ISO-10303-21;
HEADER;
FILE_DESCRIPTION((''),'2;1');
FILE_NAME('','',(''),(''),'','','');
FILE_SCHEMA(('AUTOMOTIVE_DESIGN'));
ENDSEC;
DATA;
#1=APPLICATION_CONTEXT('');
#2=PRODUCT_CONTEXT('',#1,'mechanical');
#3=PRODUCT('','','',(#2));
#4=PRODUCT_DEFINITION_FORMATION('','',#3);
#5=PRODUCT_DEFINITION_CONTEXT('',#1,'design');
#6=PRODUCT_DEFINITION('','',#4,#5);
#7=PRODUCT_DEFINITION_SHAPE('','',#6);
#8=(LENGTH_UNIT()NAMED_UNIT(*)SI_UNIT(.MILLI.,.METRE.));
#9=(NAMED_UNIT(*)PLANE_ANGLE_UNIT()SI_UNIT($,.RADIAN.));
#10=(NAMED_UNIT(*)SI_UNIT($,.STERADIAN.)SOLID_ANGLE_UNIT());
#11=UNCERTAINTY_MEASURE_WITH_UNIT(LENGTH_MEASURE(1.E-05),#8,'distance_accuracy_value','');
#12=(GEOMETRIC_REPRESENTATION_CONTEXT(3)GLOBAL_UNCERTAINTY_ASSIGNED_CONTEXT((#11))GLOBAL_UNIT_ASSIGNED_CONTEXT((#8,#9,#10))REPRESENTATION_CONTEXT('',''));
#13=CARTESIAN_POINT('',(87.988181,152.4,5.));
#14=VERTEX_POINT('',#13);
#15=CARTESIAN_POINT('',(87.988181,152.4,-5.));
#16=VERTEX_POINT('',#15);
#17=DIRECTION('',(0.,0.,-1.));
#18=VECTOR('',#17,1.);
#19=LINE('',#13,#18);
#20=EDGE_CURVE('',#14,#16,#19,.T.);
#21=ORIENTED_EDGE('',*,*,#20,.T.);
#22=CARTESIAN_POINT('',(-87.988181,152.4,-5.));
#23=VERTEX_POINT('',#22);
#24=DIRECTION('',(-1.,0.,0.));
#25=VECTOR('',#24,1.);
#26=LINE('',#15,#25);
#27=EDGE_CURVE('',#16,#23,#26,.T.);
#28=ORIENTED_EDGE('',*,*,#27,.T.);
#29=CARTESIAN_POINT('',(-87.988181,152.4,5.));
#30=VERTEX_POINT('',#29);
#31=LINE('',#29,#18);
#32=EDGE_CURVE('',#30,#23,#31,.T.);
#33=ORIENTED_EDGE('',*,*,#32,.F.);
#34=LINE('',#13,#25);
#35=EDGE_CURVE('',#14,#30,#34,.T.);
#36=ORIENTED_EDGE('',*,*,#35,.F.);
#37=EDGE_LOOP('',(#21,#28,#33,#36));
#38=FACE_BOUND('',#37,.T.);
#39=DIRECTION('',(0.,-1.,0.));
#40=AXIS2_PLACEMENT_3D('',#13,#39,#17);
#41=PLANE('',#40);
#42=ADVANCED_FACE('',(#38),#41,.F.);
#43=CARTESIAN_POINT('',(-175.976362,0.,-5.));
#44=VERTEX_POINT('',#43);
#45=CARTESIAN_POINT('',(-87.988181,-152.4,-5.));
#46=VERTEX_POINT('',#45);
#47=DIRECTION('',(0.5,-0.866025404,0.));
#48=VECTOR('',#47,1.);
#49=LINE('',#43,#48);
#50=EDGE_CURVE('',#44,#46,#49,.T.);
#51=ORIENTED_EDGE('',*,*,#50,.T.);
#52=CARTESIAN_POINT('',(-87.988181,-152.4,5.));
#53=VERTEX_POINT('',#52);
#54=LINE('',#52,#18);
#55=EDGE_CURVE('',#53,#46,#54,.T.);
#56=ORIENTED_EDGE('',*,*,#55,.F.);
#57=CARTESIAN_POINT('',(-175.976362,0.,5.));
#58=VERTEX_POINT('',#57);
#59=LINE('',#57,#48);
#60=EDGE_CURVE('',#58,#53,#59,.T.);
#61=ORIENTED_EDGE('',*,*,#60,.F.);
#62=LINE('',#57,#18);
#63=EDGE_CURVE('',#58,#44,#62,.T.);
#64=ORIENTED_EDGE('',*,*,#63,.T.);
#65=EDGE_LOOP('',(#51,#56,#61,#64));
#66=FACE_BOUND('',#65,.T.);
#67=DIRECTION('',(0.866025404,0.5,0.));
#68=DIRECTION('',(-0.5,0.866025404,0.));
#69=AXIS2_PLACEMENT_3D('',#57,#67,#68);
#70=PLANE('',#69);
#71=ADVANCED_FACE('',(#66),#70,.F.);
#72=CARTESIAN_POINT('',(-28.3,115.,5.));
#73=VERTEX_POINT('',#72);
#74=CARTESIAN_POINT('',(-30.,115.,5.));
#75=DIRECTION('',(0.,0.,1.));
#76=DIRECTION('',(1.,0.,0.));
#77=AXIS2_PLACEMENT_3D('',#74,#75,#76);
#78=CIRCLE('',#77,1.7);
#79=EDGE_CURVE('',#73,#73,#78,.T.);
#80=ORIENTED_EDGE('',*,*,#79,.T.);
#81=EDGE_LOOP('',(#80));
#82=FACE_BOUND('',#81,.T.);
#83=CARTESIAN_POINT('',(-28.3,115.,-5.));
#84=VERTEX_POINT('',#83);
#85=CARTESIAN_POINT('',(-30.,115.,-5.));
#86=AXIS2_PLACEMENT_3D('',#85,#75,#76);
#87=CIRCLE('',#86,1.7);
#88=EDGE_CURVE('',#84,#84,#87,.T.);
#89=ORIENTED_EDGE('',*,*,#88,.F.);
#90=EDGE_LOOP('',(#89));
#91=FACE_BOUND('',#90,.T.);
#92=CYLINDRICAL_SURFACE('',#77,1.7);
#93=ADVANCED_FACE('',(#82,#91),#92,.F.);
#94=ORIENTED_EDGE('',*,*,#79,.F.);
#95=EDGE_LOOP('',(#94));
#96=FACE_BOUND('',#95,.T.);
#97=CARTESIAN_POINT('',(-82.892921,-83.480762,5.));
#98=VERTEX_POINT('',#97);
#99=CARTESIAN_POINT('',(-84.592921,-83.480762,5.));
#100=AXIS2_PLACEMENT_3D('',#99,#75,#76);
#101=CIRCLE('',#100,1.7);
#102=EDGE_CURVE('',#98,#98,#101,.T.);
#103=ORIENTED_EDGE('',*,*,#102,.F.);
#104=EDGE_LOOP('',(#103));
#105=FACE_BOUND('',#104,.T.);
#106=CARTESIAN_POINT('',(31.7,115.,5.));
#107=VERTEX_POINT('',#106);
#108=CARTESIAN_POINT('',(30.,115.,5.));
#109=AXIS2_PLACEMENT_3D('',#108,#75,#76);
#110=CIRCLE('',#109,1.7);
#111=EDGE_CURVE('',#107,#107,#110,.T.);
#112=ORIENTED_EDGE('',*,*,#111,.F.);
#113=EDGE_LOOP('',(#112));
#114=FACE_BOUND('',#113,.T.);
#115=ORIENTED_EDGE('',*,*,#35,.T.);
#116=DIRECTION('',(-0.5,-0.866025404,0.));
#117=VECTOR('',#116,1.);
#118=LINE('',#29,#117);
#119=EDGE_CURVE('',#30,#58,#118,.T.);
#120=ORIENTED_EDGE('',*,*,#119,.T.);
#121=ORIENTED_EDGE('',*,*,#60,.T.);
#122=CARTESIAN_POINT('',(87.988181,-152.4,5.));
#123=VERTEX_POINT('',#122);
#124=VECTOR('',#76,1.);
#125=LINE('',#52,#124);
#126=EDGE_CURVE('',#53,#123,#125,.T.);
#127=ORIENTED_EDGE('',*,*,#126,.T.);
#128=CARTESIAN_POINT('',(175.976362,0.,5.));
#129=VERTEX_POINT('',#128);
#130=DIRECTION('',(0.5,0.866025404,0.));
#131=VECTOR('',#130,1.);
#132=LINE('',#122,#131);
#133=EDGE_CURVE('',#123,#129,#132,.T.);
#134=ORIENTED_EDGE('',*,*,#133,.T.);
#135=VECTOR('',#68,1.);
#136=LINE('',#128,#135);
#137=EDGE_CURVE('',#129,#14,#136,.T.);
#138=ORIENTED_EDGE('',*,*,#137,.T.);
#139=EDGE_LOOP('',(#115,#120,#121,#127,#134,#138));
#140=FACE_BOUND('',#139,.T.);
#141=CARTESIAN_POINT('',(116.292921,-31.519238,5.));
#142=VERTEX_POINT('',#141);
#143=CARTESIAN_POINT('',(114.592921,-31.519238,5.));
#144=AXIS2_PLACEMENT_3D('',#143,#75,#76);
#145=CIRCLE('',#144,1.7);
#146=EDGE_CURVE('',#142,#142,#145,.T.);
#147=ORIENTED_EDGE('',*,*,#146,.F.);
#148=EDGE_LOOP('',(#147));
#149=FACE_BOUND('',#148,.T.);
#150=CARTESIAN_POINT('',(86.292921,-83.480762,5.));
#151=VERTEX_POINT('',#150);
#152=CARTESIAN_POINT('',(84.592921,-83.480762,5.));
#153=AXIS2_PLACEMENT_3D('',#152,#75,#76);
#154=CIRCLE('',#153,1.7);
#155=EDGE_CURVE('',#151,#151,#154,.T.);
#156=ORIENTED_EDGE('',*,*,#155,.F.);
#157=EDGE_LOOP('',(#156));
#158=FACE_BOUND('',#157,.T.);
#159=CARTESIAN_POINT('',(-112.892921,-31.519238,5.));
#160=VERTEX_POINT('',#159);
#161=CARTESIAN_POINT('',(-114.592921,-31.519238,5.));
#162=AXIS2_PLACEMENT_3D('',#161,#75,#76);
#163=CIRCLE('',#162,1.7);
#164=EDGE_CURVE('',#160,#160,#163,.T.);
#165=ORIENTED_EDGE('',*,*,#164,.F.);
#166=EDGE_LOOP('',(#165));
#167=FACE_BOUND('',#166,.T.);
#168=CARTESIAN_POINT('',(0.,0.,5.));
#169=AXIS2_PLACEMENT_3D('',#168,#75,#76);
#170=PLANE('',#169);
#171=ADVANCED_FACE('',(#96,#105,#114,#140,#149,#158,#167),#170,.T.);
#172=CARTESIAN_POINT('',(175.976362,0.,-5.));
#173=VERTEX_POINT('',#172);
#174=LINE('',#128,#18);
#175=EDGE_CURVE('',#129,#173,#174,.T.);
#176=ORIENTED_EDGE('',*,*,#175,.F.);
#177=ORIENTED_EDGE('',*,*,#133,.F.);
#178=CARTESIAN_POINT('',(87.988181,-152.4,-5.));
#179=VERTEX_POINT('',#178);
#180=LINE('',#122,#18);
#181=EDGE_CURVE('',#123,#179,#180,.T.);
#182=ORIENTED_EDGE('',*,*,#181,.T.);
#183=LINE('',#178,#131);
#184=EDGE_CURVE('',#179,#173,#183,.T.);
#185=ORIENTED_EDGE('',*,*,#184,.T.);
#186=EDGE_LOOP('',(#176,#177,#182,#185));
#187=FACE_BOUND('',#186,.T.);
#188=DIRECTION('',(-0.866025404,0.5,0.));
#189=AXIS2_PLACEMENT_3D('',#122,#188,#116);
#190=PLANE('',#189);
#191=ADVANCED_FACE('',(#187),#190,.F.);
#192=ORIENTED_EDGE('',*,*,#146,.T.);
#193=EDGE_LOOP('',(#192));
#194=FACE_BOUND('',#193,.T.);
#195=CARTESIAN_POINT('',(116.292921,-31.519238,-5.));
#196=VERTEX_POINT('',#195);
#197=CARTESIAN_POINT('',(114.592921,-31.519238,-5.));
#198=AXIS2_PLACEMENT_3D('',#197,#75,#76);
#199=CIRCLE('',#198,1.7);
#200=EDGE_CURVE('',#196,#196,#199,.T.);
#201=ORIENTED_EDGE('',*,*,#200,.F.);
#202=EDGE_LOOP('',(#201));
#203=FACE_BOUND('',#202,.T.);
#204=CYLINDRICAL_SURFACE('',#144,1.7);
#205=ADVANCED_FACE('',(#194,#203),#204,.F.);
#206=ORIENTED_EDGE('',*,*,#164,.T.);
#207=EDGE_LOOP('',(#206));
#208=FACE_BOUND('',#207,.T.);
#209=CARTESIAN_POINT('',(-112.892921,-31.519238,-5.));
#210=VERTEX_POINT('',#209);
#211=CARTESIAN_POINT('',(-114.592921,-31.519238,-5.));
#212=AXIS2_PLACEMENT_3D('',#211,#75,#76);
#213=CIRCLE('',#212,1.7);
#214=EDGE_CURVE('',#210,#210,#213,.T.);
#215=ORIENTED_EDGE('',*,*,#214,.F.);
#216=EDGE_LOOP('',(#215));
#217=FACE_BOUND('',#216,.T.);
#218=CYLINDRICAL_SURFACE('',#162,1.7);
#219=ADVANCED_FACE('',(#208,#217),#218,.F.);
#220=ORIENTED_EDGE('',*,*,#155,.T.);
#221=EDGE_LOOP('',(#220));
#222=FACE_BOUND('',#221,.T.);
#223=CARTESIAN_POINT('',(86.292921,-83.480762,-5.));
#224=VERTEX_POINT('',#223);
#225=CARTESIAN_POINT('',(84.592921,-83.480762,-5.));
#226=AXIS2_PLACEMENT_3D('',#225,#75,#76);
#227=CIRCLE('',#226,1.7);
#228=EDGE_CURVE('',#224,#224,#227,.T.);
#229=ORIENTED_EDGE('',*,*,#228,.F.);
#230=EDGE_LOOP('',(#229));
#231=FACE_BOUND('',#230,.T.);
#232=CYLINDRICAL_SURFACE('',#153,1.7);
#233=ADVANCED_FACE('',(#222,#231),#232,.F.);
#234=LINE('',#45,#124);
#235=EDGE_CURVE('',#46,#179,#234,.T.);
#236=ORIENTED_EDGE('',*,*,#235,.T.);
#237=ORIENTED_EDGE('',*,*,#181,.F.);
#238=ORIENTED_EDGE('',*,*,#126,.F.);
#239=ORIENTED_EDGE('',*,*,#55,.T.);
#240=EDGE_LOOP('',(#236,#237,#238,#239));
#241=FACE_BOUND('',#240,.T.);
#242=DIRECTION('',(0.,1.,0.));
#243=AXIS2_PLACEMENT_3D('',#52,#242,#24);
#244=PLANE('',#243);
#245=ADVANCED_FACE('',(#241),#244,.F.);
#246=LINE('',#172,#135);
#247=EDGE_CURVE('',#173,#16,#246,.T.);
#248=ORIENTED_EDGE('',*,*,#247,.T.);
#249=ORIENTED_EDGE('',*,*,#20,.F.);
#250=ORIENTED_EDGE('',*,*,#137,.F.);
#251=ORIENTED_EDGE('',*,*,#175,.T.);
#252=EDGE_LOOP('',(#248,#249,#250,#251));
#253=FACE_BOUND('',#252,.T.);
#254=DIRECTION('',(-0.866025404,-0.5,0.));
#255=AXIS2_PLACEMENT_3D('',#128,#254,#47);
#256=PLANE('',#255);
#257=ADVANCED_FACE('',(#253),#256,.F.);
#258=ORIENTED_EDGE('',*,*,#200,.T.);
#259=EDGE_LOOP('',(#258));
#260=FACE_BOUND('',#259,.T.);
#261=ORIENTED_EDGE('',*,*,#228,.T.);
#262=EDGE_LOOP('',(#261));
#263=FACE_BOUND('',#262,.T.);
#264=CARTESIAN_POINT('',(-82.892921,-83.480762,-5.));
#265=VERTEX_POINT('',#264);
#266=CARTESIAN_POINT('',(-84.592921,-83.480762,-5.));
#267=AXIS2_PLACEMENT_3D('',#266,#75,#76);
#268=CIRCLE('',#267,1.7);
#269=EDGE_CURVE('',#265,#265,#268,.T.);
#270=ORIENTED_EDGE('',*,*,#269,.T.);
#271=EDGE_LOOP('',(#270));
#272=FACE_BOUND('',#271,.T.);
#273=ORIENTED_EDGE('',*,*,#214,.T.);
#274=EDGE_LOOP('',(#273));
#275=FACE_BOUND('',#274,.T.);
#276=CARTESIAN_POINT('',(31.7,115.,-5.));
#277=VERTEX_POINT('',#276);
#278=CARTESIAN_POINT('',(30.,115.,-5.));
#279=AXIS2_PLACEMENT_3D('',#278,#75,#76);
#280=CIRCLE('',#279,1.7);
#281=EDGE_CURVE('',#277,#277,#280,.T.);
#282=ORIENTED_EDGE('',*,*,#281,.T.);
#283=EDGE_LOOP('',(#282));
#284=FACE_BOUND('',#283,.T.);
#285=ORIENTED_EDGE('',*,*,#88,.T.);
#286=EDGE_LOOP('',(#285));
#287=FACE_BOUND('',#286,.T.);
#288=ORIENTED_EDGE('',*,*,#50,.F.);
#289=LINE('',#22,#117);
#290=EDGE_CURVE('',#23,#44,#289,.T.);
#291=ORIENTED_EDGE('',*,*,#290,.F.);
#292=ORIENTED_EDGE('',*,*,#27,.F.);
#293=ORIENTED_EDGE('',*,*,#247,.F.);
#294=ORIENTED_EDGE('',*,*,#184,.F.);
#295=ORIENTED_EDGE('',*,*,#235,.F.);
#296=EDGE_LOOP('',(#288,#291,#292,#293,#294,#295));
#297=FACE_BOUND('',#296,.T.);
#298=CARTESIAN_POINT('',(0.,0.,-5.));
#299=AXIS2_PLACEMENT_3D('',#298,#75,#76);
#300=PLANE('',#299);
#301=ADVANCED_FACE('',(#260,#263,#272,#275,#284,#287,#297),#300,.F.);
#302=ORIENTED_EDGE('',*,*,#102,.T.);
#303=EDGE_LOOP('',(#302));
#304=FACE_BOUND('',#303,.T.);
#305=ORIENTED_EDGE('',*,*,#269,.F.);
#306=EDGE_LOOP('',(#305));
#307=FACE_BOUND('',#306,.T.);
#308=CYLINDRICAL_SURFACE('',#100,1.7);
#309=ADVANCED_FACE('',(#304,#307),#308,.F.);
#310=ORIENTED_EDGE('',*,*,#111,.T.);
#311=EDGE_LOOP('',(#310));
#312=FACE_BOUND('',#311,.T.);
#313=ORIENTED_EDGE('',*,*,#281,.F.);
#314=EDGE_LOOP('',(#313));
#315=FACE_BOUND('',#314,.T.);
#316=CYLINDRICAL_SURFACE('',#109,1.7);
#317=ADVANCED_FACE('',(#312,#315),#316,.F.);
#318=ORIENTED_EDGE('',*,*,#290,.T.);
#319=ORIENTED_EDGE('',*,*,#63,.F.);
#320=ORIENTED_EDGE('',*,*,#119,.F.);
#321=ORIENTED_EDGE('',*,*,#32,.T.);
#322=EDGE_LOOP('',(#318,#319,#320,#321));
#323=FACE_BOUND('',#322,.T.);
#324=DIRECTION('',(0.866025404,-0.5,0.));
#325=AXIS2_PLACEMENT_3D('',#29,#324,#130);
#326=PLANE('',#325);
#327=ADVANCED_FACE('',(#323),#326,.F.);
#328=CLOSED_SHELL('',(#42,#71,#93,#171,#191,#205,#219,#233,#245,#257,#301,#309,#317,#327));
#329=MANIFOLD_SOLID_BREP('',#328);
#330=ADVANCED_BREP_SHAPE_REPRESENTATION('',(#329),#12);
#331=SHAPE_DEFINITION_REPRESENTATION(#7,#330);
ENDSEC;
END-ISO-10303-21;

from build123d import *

# Parameters (mm, degrees)
BOSS_EXTRUDE1_DEPTH  = 5
M3_CLEARANCE_HOLE1_D = 3.4
CIRPATTERN1_COUNT    = 3


with BuildPart() as part:
    # Sketch2 → Boss-Extrude1 (new, symmetric)
    with BuildSketch(Plane.XY):
        Polygon((-87.988181024, 152.4), (-175.976362049, 0), (-87.988181024, -152.4), (87.988181024, -152.4), (175.976362049, 0), (87.988181024, 152.4), align=None)
    extrude(amount=BOSS_EXTRUDE1_DEPTH, both=True)

    # M3 Clearance Hole1 (through all)
    with Locations(Plane.XY.offset(5)):
        with Locations((-30.000000001, 115), (30.000000001, 115)):
            m3_clearance_hole1 = Hole(M3_CLEARANCE_HOLE1_D / 2)

    # CirPattern1: M3 Clearance Hole1 ×3 about axis
    cirpattern1_axis = Axis((0, 0, -20.250000596), (0, 0, 1))
    for i in range(1, CIRPATTERN1_COUNT):
        add(m3_clearance_hole1.rotate(cirpattern1_axis, i * 360 / CIRPATTERN1_COUNT), mode=Mode.SUBTRACT)


solid = part.part
